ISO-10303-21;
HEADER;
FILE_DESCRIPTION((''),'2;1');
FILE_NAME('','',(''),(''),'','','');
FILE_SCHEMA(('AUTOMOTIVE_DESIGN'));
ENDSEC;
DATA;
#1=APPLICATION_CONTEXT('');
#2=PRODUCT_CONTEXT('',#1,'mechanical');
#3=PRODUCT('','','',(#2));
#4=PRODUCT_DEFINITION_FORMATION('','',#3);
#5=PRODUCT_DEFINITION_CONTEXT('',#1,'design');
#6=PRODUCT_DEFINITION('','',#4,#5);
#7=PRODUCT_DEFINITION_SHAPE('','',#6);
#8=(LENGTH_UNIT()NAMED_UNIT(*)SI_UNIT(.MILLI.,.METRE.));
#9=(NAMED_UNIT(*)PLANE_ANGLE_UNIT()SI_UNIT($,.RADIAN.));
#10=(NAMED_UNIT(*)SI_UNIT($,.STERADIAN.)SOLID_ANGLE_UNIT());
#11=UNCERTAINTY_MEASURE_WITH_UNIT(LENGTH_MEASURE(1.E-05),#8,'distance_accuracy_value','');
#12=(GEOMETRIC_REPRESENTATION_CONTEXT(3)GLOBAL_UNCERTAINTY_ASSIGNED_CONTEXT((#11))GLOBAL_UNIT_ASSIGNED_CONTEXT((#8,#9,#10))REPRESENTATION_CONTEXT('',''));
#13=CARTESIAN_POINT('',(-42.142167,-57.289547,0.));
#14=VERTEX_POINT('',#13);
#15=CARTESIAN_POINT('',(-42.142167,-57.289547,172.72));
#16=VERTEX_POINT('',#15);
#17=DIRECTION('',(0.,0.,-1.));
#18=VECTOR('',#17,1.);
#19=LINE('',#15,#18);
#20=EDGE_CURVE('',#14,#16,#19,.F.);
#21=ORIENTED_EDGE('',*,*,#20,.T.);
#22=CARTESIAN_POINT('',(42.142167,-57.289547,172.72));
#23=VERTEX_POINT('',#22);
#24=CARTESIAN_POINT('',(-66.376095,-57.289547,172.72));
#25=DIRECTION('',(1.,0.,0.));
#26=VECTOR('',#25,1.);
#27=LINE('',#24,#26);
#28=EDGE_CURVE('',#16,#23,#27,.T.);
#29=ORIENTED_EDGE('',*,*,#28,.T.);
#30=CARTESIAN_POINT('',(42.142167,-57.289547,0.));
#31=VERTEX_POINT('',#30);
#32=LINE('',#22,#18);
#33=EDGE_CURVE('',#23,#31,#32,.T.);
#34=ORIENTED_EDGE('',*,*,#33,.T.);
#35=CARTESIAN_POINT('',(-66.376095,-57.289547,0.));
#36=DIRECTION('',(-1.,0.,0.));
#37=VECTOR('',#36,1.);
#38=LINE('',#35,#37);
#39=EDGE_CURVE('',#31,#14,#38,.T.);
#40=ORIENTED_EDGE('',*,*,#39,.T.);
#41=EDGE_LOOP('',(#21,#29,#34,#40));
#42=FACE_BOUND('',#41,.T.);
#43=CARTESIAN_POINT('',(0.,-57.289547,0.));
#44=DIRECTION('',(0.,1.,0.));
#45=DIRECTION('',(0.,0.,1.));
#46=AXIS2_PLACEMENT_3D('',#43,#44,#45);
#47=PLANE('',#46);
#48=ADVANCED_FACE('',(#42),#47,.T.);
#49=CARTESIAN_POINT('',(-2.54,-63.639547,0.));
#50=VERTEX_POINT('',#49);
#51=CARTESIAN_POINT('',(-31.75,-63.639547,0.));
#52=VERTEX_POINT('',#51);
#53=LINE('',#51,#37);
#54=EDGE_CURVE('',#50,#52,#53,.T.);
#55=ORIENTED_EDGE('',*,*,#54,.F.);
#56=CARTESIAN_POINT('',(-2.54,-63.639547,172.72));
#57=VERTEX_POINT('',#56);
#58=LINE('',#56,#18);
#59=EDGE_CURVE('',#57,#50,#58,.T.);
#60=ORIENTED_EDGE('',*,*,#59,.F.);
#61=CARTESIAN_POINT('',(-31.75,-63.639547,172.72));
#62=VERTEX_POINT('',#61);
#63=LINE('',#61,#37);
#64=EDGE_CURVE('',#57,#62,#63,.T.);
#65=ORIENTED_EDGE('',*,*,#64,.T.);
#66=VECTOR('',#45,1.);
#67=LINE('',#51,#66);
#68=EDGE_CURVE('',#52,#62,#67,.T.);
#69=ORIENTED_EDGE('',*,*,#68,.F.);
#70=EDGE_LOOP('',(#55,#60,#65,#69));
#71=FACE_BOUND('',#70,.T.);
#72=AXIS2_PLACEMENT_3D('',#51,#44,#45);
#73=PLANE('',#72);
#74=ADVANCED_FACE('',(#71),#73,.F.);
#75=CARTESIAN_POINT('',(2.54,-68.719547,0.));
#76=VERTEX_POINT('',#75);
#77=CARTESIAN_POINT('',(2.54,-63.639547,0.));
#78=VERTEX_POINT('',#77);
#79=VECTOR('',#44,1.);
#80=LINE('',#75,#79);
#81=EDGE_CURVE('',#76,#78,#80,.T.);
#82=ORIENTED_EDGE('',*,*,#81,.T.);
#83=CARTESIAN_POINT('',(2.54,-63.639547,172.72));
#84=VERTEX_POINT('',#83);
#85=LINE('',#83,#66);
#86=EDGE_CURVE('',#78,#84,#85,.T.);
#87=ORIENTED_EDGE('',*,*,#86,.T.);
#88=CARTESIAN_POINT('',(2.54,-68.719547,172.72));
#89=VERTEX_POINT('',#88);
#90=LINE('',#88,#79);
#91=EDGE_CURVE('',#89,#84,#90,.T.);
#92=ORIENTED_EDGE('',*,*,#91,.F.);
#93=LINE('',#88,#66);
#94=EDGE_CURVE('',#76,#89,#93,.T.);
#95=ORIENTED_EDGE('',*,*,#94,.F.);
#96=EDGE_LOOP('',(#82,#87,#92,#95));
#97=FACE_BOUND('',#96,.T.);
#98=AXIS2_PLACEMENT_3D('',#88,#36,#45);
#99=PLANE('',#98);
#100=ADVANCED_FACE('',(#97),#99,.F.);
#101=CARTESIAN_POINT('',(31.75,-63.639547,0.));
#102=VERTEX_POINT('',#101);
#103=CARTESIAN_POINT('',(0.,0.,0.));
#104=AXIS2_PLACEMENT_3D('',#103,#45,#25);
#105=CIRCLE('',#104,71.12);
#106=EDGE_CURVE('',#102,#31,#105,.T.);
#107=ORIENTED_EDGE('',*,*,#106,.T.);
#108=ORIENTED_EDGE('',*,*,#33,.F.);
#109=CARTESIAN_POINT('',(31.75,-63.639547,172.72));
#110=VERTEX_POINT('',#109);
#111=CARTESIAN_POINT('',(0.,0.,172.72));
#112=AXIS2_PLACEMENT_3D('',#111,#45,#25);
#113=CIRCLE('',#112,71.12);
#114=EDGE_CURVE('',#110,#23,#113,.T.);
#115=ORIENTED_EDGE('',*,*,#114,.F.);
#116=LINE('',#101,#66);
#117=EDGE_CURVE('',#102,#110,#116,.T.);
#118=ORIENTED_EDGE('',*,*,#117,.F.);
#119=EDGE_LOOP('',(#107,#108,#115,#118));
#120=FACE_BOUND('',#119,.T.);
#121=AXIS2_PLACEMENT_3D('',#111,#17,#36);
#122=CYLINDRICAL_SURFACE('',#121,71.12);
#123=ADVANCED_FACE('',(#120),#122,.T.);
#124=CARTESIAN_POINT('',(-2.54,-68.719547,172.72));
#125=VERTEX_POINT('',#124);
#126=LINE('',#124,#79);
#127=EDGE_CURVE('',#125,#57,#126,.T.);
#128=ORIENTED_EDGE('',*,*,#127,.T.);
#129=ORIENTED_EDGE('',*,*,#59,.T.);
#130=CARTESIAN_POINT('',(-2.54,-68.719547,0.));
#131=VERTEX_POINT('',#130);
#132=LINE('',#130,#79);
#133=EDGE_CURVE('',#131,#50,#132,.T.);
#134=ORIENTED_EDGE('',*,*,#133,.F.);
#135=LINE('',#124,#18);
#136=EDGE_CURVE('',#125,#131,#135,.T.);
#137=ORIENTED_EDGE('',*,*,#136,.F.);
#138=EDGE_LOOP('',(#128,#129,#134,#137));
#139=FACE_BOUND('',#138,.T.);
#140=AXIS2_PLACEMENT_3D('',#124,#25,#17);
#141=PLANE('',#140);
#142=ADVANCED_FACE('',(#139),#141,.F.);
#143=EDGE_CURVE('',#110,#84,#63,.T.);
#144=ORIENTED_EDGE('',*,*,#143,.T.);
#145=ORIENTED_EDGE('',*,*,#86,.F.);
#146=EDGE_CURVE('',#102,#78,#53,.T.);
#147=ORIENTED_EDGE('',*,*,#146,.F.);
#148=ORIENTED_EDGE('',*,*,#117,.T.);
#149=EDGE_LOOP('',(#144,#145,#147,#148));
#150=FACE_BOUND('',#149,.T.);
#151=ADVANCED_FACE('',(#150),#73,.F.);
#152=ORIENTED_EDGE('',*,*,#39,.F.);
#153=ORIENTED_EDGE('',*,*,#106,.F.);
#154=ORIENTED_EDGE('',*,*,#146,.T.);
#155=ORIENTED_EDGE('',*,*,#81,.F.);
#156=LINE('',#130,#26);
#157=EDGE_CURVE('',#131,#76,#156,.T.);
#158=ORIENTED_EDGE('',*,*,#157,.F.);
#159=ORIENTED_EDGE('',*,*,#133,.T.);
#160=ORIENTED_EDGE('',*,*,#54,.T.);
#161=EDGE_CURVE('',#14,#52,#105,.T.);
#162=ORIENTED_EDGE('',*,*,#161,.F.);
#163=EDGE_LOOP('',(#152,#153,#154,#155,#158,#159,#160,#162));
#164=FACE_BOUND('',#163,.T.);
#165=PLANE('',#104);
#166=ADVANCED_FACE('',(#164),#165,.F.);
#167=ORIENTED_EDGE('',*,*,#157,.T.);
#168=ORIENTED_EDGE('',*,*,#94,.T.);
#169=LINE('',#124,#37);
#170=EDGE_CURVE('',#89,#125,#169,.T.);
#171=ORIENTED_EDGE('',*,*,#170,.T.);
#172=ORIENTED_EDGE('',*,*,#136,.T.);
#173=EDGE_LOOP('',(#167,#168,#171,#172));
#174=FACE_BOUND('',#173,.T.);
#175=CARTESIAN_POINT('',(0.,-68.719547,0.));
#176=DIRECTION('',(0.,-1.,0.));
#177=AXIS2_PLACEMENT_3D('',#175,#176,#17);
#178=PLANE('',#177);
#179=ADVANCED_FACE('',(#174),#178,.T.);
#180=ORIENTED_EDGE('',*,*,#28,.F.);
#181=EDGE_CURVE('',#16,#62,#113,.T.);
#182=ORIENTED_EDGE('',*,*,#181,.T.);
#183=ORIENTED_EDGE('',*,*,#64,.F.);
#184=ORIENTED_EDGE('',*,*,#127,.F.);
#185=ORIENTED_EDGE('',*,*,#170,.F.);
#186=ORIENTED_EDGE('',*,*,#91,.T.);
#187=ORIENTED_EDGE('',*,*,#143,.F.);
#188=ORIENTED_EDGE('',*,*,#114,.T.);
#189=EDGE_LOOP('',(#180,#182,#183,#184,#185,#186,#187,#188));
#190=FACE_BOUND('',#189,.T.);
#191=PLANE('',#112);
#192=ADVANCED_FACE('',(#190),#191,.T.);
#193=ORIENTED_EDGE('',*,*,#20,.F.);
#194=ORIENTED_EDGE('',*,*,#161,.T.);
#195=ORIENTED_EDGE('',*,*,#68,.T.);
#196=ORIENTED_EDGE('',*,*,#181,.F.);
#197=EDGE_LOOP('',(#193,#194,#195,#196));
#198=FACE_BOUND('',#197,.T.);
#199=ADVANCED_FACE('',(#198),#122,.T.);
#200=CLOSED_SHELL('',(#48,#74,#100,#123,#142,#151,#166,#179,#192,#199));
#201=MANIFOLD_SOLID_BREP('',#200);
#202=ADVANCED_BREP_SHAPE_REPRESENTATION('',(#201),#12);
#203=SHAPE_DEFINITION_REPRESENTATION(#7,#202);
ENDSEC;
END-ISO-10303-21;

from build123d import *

# Parameters (mm, degrees)
SKETCH3_R           = 71.12
BOSS_EXTRUDE2_DEPTH = 172.72
CUT_EXTRUDE3_DEPTH  = 173.72
CUT_EXTRUDE4_DEPTH  = 173.72
SKETCH7_W           = 132.752189526
SKETCH7_H           = 172.72
CUT_EXTRUDE5_DEPTH  = 31.75
SKETCH8_W           = 5.08
SKETCH8_H           = 172.72
BOSS_EXTRUDE3_DEPTH = 5.08


with BuildPart() as part:
    # Sketch3 → Boss-Extrude2 (new body)
    with BuildSketch(Plane.XY):
        Circle(SKETCH3_R)
    extrude(amount=BOSS_EXTRUDE2_DEPTH)

    # Sketch4 → Cut-Extrude3 (cut, through all)
    with BuildSketch(Plane.XY.offset(172.72)):
        with BuildLine():
            Line((-31.75, -63.639546667), (31.75, -63.639546667))
            ThreePointArc((31.75, -63.639546667), (0, -71.12), (-31.75, -63.639546667))
        make_face()
    extrude(amount=-CUT_EXTRUDE3_DEPTH, mode=Mode.SUBTRACT)

    # Sketch5 → Cut-Extrude4 (cut, through all)
    with BuildSketch(Plane.XY.offset(172.72)):
        with BuildLine():
            Line((-66.376094763, -25.539546667), (66.376094763, -25.539546667))
            ThreePointArc((66.376094763, -25.539546667), (0, 71.12), (-66.376094763, -25.539546667))
        make_face()
    extrude(amount=-CUT_EXTRUDE4_DEPTH, mode=Mode.SUBTRACT)

    # Sketch7 → Cut-Extrude5 (cut)
    with BuildSketch(Plane(origin=(0, -25.539546667, 0), x_dir=(1, 0, 0), z_dir=(0, 1, 0))):
        with Locations((0, -86.36)):
            Rectangle(SKETCH7_W, SKETCH7_H)
    extrude(amount=-CUT_EXTRUDE5_DEPTH, mode=Mode.SUBTRACT)

    # Sketch8 → Boss-Extrude3 (add)
    with BuildSketch(Plane.XZ.offset(63.639546667)):
        with Locations((0, 86.36)):
            Rectangle(SKETCH8_W, SKETCH8_H)
    extrude(amount=BOSS_EXTRUDE3_DEPTH)


solid = part.part
